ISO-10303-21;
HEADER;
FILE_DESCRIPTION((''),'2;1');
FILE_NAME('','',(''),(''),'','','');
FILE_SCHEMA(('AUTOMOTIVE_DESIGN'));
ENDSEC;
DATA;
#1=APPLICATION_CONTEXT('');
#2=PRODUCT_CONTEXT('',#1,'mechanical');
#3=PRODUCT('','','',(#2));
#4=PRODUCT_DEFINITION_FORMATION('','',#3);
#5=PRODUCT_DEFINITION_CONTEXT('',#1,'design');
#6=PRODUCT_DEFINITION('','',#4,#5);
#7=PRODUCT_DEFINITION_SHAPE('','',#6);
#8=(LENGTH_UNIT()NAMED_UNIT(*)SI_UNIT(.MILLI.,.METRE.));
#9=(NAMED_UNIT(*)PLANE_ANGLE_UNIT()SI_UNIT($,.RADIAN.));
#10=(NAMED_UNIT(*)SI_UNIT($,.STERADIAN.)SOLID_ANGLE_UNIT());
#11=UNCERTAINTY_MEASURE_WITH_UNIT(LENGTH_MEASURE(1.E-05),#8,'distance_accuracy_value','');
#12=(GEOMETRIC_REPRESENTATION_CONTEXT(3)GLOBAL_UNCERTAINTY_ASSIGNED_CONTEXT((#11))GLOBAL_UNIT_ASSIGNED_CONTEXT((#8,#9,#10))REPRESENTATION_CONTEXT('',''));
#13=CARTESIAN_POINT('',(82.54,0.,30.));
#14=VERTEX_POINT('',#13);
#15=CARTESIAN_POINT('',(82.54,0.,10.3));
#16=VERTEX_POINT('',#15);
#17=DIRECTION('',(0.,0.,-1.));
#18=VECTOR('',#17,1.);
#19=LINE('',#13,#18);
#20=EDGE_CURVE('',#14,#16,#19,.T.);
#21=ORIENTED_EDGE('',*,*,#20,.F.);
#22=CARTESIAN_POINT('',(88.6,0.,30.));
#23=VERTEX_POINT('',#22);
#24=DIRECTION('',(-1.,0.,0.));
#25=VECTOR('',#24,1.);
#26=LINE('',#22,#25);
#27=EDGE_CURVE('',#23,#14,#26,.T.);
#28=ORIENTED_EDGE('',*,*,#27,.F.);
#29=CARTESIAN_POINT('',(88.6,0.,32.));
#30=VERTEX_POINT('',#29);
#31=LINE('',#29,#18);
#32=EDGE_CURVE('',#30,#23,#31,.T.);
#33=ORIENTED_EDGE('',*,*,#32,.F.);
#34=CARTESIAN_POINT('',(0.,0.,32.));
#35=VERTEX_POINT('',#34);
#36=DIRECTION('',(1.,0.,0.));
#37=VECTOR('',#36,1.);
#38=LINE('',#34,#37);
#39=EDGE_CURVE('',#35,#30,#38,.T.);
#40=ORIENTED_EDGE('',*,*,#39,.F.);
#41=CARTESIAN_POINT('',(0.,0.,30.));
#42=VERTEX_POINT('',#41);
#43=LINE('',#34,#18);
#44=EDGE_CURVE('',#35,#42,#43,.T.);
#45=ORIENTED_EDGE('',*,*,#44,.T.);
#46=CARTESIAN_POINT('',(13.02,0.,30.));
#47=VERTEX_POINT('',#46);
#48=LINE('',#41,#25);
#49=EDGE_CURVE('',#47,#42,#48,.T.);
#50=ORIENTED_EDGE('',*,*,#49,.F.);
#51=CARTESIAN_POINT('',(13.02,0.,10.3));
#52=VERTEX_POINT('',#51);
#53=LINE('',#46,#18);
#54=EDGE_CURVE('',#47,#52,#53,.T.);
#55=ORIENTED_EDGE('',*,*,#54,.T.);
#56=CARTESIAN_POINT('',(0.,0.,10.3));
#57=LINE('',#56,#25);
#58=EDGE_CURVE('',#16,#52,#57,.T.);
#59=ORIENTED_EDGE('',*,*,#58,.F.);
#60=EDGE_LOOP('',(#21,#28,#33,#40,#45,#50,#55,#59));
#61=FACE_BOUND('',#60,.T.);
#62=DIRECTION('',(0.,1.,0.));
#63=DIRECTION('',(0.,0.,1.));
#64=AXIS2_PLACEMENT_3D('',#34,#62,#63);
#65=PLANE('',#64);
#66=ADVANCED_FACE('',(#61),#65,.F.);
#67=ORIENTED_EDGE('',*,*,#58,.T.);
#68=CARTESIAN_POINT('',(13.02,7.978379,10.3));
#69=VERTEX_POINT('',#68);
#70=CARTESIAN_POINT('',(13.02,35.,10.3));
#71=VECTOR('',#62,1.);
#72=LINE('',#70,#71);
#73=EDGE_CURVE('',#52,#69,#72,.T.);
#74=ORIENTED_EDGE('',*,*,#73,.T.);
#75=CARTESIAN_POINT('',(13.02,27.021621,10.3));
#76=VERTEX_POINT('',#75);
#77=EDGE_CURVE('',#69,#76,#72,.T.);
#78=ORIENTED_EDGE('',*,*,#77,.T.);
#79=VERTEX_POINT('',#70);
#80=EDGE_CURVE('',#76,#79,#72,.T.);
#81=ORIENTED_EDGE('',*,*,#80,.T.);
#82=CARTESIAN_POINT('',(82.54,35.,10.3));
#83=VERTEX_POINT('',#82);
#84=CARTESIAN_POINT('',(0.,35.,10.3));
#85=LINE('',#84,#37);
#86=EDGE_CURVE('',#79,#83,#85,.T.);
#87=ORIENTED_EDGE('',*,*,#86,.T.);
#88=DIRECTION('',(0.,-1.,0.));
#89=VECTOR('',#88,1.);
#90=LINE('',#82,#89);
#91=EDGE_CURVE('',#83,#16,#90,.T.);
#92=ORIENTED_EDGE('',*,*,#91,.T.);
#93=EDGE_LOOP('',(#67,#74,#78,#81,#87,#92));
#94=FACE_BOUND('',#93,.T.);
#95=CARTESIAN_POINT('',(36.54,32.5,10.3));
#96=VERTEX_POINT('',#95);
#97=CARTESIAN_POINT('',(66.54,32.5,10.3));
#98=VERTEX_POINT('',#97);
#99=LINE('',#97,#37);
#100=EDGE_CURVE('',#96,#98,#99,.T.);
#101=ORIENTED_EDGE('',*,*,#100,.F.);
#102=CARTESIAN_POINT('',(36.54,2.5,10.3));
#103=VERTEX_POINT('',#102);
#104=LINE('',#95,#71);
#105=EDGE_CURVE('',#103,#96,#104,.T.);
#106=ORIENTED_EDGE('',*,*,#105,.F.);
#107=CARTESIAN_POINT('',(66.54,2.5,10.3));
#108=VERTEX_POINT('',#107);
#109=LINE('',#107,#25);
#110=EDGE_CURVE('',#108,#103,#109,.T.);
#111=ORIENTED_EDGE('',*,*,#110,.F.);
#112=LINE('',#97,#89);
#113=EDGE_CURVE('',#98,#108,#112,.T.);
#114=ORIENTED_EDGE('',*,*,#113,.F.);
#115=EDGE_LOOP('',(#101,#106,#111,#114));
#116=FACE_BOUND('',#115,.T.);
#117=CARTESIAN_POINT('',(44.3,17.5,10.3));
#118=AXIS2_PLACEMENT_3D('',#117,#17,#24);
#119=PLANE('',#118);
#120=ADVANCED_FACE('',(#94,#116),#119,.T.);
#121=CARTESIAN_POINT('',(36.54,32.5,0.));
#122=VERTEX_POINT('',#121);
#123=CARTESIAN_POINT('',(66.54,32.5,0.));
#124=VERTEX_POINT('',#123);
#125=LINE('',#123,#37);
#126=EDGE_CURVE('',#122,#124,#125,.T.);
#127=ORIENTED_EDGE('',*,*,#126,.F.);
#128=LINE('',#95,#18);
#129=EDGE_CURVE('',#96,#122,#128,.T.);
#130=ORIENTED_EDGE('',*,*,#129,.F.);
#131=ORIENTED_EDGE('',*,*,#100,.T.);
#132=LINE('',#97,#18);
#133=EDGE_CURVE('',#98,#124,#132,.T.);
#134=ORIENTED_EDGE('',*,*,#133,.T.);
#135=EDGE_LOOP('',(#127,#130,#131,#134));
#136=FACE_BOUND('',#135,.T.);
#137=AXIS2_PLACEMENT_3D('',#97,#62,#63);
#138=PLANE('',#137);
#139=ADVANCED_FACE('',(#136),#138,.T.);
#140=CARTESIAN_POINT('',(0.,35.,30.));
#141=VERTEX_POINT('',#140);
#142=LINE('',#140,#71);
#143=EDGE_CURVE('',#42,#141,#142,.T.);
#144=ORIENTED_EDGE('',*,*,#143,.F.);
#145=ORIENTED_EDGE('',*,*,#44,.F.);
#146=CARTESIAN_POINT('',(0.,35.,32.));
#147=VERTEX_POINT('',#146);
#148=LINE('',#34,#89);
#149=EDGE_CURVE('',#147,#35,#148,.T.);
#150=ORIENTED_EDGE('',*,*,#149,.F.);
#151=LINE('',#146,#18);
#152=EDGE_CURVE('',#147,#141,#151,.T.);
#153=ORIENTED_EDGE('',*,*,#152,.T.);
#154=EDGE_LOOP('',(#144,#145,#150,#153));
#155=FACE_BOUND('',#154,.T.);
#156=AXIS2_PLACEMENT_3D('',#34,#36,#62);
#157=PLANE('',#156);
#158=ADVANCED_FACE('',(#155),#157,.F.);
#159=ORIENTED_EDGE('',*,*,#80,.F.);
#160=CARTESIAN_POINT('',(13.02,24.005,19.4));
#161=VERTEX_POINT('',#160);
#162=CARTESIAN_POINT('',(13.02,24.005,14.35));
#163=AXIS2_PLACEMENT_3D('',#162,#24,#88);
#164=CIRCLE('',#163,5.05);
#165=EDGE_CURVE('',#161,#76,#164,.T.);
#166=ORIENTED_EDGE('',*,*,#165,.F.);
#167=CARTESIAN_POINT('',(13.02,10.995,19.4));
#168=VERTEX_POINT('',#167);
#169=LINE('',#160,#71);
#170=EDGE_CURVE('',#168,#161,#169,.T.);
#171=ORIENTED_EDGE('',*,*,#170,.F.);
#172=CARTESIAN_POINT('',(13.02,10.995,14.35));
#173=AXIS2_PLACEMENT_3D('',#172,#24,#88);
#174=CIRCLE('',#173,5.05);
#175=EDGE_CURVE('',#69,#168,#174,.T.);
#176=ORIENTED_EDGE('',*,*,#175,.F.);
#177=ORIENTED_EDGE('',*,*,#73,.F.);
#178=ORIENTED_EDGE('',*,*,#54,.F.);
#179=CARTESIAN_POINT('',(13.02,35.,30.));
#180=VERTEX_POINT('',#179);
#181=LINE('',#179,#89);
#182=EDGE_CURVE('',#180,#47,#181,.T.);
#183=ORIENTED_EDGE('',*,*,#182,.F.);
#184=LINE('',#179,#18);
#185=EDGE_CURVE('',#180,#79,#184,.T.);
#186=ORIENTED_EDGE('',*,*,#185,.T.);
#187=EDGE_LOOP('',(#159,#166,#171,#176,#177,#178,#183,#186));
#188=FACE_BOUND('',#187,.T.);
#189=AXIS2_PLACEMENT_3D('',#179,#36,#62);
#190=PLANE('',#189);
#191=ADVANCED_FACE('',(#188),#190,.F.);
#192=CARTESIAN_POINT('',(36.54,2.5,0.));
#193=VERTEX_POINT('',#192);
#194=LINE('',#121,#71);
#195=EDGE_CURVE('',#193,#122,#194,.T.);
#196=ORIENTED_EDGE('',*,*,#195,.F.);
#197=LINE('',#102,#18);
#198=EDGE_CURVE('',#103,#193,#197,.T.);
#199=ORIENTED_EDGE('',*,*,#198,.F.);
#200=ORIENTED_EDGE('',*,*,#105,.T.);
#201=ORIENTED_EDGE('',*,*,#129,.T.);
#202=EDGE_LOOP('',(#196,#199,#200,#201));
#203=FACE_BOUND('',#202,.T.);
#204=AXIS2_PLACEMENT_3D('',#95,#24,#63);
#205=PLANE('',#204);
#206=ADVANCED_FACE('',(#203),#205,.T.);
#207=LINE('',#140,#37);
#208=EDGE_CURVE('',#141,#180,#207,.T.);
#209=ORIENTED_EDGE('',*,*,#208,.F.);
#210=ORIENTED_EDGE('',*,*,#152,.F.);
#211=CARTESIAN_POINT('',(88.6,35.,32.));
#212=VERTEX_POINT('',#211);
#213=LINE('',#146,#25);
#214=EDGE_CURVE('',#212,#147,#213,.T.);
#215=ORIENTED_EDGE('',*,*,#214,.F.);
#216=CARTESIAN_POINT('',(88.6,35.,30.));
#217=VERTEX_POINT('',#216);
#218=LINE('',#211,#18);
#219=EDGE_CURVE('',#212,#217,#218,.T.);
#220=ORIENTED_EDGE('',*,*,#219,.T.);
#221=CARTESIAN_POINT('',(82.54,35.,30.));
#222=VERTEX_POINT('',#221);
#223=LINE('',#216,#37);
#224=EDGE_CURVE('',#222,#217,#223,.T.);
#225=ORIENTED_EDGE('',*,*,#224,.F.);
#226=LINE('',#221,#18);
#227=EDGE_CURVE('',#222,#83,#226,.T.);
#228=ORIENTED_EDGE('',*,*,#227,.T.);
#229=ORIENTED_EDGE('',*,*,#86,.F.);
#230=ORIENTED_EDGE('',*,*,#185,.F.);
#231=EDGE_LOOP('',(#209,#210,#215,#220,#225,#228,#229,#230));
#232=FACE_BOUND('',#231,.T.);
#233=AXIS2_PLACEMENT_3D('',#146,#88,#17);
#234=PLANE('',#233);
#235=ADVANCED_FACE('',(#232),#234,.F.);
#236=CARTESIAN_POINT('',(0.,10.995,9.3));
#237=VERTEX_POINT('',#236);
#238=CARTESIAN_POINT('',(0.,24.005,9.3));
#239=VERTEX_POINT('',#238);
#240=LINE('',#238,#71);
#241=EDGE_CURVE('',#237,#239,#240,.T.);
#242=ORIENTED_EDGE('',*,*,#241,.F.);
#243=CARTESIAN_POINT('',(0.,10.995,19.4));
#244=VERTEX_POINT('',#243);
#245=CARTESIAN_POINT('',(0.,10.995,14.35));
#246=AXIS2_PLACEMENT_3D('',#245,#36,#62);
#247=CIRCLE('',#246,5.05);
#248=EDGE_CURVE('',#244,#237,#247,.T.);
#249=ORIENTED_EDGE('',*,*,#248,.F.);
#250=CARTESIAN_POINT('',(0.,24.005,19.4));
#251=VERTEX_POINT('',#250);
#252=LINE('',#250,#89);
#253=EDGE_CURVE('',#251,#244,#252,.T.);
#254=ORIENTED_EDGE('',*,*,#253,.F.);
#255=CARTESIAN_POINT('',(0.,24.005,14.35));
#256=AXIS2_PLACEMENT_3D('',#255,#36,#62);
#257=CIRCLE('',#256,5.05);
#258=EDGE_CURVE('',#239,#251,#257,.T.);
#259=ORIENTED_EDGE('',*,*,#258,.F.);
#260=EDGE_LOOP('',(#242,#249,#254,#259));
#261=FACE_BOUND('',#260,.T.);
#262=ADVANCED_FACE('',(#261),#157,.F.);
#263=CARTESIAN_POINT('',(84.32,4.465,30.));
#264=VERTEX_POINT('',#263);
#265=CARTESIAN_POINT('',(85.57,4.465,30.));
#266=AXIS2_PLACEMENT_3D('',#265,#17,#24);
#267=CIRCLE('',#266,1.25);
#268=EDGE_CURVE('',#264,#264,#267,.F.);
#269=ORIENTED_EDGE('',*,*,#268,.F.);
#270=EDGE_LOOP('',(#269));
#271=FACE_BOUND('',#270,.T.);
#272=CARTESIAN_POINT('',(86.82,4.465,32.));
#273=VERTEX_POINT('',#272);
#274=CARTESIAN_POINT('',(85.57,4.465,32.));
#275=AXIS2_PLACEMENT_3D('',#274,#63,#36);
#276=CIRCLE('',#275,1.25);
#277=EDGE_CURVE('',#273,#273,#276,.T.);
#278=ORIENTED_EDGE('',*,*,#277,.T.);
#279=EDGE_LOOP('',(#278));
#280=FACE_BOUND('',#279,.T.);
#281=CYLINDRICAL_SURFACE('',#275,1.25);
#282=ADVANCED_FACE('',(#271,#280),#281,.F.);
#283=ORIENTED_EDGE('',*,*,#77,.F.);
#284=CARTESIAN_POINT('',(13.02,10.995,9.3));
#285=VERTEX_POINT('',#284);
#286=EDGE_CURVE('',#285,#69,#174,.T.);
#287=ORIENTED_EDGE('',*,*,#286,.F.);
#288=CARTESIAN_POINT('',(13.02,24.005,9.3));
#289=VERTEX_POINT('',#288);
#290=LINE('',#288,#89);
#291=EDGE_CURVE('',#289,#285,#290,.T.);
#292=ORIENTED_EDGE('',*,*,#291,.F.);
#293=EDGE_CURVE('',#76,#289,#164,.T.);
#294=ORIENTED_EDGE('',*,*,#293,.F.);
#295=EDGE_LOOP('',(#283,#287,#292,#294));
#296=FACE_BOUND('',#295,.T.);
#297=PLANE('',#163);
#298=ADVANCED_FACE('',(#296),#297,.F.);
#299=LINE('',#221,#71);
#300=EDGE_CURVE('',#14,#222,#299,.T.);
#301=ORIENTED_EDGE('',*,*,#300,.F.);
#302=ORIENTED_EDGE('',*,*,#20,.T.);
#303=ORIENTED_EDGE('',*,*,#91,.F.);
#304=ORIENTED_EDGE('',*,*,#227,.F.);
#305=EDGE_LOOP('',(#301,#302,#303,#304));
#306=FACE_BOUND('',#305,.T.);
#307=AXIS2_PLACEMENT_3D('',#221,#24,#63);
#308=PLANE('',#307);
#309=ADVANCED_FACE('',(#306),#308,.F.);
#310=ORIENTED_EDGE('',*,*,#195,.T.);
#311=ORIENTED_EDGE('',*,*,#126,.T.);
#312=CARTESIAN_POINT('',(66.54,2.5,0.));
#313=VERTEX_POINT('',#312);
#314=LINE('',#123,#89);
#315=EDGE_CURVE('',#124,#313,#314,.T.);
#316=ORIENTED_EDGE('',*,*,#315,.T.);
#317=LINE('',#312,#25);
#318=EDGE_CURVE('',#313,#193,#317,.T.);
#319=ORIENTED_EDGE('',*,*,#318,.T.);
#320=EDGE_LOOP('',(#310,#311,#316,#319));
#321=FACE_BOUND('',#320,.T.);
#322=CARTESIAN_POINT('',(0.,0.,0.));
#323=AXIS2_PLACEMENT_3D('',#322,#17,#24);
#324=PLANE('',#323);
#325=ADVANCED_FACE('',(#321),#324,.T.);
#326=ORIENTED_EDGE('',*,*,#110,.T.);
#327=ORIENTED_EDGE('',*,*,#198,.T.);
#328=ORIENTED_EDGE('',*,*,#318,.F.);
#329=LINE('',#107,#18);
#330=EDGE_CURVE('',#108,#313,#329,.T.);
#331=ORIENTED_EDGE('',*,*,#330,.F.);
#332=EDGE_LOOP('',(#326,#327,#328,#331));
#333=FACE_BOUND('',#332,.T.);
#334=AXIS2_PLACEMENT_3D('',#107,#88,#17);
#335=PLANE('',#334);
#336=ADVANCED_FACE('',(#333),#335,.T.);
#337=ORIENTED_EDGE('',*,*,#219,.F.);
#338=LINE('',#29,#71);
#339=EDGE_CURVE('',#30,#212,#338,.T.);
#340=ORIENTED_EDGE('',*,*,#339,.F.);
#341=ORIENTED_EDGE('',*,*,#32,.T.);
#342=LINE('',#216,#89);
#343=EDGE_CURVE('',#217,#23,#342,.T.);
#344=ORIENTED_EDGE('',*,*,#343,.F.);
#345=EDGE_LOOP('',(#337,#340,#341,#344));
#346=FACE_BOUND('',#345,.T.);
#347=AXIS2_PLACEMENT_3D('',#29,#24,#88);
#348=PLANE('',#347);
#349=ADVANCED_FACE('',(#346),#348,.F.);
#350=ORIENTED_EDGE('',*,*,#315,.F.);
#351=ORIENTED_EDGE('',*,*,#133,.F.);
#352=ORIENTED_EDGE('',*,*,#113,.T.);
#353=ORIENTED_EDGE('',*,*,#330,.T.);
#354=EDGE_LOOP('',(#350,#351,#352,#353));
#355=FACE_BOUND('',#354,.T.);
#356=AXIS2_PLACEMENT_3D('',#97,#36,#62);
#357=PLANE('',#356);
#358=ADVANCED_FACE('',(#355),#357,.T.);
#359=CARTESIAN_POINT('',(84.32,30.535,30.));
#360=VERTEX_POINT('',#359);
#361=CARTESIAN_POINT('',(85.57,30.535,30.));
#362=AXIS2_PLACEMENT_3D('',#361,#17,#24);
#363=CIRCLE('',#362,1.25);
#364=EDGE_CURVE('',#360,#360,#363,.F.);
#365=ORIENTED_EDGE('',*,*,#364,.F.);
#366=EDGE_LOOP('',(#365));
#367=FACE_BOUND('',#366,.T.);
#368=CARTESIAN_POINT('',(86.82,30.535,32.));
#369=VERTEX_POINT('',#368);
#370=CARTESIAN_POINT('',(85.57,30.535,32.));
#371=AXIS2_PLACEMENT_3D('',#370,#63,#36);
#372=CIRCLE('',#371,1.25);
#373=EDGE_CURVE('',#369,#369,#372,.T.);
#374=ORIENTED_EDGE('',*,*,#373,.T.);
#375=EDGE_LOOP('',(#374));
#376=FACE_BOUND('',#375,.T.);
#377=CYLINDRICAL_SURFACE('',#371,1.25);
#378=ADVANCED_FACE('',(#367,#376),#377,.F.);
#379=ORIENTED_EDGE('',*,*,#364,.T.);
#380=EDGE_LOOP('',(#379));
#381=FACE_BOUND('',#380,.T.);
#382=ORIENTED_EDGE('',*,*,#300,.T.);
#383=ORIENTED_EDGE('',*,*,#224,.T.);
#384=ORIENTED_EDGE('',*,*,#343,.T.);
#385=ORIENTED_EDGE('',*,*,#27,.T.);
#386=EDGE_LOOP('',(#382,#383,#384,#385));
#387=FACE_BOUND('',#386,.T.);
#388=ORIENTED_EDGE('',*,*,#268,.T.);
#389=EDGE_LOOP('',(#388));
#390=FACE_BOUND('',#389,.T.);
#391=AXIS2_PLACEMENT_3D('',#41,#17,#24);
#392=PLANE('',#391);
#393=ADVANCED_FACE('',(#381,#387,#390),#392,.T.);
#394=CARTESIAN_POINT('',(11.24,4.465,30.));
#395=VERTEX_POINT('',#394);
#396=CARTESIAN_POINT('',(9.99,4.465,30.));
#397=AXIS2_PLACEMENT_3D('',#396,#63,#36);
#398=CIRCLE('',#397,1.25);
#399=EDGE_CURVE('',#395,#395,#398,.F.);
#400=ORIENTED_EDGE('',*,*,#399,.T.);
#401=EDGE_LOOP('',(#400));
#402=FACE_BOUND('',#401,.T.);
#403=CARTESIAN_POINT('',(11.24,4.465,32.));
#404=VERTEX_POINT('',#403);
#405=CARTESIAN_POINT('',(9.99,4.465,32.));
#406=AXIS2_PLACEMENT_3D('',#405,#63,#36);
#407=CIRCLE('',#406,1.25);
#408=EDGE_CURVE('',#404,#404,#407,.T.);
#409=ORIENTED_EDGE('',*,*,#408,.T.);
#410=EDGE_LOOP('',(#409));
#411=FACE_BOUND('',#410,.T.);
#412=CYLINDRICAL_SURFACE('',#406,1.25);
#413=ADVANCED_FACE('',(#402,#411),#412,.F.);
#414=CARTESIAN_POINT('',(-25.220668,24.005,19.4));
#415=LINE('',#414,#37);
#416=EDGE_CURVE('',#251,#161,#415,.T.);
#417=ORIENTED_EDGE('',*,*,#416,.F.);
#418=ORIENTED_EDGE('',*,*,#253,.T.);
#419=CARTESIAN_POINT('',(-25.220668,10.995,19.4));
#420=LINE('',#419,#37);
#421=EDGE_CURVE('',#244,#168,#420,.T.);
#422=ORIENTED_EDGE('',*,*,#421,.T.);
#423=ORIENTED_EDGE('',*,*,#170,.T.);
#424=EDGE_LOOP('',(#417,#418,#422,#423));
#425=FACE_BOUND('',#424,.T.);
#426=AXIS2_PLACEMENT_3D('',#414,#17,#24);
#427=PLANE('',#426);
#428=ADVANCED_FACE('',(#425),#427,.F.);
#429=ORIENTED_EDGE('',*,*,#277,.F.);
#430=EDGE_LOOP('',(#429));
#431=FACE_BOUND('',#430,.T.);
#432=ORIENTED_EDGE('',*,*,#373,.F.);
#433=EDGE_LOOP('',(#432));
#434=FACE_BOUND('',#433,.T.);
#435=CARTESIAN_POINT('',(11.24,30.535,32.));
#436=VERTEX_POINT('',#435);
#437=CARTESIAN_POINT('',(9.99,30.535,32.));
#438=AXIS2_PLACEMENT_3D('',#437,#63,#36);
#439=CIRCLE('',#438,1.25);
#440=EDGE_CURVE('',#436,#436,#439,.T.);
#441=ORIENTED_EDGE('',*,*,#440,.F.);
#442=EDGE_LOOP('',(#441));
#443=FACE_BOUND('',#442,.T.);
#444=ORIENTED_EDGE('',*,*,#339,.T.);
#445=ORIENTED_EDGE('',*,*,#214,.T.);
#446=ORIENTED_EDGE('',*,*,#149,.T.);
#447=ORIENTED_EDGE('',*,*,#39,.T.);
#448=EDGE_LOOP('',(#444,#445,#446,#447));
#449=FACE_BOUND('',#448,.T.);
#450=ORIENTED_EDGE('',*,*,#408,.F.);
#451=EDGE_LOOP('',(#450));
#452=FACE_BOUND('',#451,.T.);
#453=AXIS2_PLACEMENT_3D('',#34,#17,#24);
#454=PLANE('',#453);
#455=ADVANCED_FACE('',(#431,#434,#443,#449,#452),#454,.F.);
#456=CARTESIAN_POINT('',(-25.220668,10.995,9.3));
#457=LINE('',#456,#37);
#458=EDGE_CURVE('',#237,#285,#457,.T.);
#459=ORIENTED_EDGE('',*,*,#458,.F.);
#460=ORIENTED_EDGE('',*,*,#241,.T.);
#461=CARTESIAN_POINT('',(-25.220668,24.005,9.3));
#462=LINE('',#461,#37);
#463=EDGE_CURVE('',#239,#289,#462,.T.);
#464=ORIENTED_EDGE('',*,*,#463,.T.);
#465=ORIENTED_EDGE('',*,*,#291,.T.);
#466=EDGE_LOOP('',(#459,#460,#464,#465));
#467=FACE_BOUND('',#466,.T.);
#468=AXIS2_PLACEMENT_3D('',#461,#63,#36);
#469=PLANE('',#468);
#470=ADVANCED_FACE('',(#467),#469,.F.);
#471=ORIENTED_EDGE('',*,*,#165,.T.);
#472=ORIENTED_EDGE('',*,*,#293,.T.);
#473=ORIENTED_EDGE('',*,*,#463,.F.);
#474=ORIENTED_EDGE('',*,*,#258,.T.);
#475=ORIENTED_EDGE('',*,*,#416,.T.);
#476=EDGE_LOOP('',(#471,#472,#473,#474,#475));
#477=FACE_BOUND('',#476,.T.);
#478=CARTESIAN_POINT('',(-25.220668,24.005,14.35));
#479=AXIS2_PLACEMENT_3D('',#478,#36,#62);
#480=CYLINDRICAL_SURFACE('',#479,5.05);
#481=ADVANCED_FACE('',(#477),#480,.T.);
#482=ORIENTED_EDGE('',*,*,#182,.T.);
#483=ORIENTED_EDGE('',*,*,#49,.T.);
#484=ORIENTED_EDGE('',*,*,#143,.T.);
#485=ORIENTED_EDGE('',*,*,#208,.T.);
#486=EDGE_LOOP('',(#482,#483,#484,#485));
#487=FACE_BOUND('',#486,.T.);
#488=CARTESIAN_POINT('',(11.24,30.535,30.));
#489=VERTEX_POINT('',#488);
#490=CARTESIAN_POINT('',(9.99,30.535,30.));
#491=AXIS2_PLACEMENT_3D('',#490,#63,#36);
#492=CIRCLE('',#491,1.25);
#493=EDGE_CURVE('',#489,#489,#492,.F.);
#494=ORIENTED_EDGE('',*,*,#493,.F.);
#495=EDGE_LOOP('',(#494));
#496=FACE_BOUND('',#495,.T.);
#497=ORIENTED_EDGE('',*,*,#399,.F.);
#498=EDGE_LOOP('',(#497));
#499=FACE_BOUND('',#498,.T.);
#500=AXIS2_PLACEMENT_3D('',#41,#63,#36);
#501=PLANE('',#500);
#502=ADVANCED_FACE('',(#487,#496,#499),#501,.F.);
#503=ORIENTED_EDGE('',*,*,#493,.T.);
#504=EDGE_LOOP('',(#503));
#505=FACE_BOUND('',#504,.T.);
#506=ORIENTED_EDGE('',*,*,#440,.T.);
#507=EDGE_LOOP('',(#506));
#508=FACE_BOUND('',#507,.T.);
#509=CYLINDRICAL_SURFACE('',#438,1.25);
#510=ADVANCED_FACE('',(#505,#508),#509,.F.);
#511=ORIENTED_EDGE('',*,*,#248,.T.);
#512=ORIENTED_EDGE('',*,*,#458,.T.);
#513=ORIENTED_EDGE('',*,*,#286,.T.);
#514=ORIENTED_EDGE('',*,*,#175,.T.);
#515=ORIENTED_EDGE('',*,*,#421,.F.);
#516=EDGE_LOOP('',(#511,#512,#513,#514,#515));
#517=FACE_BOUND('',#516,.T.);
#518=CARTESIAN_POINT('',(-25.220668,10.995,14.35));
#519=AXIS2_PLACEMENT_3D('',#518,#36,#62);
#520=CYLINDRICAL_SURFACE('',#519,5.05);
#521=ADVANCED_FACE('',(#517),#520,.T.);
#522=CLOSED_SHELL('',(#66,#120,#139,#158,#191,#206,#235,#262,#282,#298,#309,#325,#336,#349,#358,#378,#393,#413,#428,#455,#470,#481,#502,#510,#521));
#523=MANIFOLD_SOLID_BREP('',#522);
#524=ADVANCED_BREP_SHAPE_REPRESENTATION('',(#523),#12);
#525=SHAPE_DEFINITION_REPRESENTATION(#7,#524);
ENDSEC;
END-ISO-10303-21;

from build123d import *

# Parameters (mm, degrees)
SKETCH1_W                   = 88.6
SKETCH1_H                   = 35
BOSS_EXTRUDE1_DEPTH         = 32
TAP_DRILL_FOR_M3X0_5_TAP1_D = 2.5
SKETCH4_W                   = 6.06
SKETCH4_H                   = 35
SKETCH4_W_2                 = 13.02
CUT_EXTRUDE2_DEPTH          = 30
SKETCH5_OUTSIDE_W           = 110.698
SKETCH5_OUTSIDE_H           = 57.098
SKETCH5_OUTSIDE_W_2         = 30
SKETCH5_OUTSIDE_H_2         = 30
CUT_EXTRUDE3_DEPTH          = 10.3
BOSS_EXTRUDE2_DEPTH         = 13.02


with BuildPart() as part:
    # Sketch1 → Boss-Extrude1 (new body)
    with BuildSketch(Plane.XY):
        with Locations((44.3, 17.5)):
            Rectangle(SKETCH1_W, SKETCH1_H)
    extrude(amount=BOSS_EXTRUDE1_DEPTH)

    # Tap Drill for M3x0.5 Tap1 (through all)
    with Locations(Plane.XY.offset(32)):
        with Locations((9.99, 30.535), (9.99, 4.465), (85.57, 4.465), (85.57, 30.535)):
            Hole(TAP_DRILL_FOR_M3X0_5_TAP1_D / 2)

    # Sketch4 → Cut-Extrude2 (cut)
    with BuildSketch(Plane(origin=(0, 0, 0), x_dir=(-1, 0, 0), z_dir=(0, 0, -1))):
        with Locations((-85.57, 17.5)):
            Rectangle(SKETCH4_W, SKETCH4_H)
        with Locations((-6.51, 17.5)):
            Rectangle(SKETCH4_W_2, SKETCH4_H)
    extrude(amount=-CUT_EXTRUDE2_DEPTH, mode=Mode.SUBTRACT)

    # Sketch5 outside → Cut-Extrude3 (cut)
    with BuildSketch(Plane(origin=(0, 0, 0), x_dir=(-1, 0, 0), z_dir=(0, 0, -1))):
        with Locations((-44.3, 17.5)):
            Rectangle(SKETCH5_OUTSIDE_W, SKETCH5_OUTSIDE_H)
        with Locations((-51.54, 17.5)):
            Rectangle(SKETCH5_OUTSIDE_W_2, SKETCH5_OUTSIDE_H_2, mode=Mode.SUBTRACT)
    extrude(amount=-CUT_EXTRUDE3_DEPTH, mode=Mode.SUBTRACT)

    # Sketch6 → Boss-Extrude2 (add)
    with BuildSketch(Plane.ZY.offset(-13.02)):
        with BuildLine():
            Line((19.4, 24.005), (19.4, 10.995))
            ThreePointArc((19.4, 10.995), (14.35, 5.945), (9.3, 10.995))
            Line((9.3, 10.995), (9.3, 24.005))
            ThreePointArc((9.3, 24.005), (14.35, 29.055), (19.4, 24.005))
        make_face()
    extrude(amount=BOSS_EXTRUDE2_DEPTH)


solid = part.part
